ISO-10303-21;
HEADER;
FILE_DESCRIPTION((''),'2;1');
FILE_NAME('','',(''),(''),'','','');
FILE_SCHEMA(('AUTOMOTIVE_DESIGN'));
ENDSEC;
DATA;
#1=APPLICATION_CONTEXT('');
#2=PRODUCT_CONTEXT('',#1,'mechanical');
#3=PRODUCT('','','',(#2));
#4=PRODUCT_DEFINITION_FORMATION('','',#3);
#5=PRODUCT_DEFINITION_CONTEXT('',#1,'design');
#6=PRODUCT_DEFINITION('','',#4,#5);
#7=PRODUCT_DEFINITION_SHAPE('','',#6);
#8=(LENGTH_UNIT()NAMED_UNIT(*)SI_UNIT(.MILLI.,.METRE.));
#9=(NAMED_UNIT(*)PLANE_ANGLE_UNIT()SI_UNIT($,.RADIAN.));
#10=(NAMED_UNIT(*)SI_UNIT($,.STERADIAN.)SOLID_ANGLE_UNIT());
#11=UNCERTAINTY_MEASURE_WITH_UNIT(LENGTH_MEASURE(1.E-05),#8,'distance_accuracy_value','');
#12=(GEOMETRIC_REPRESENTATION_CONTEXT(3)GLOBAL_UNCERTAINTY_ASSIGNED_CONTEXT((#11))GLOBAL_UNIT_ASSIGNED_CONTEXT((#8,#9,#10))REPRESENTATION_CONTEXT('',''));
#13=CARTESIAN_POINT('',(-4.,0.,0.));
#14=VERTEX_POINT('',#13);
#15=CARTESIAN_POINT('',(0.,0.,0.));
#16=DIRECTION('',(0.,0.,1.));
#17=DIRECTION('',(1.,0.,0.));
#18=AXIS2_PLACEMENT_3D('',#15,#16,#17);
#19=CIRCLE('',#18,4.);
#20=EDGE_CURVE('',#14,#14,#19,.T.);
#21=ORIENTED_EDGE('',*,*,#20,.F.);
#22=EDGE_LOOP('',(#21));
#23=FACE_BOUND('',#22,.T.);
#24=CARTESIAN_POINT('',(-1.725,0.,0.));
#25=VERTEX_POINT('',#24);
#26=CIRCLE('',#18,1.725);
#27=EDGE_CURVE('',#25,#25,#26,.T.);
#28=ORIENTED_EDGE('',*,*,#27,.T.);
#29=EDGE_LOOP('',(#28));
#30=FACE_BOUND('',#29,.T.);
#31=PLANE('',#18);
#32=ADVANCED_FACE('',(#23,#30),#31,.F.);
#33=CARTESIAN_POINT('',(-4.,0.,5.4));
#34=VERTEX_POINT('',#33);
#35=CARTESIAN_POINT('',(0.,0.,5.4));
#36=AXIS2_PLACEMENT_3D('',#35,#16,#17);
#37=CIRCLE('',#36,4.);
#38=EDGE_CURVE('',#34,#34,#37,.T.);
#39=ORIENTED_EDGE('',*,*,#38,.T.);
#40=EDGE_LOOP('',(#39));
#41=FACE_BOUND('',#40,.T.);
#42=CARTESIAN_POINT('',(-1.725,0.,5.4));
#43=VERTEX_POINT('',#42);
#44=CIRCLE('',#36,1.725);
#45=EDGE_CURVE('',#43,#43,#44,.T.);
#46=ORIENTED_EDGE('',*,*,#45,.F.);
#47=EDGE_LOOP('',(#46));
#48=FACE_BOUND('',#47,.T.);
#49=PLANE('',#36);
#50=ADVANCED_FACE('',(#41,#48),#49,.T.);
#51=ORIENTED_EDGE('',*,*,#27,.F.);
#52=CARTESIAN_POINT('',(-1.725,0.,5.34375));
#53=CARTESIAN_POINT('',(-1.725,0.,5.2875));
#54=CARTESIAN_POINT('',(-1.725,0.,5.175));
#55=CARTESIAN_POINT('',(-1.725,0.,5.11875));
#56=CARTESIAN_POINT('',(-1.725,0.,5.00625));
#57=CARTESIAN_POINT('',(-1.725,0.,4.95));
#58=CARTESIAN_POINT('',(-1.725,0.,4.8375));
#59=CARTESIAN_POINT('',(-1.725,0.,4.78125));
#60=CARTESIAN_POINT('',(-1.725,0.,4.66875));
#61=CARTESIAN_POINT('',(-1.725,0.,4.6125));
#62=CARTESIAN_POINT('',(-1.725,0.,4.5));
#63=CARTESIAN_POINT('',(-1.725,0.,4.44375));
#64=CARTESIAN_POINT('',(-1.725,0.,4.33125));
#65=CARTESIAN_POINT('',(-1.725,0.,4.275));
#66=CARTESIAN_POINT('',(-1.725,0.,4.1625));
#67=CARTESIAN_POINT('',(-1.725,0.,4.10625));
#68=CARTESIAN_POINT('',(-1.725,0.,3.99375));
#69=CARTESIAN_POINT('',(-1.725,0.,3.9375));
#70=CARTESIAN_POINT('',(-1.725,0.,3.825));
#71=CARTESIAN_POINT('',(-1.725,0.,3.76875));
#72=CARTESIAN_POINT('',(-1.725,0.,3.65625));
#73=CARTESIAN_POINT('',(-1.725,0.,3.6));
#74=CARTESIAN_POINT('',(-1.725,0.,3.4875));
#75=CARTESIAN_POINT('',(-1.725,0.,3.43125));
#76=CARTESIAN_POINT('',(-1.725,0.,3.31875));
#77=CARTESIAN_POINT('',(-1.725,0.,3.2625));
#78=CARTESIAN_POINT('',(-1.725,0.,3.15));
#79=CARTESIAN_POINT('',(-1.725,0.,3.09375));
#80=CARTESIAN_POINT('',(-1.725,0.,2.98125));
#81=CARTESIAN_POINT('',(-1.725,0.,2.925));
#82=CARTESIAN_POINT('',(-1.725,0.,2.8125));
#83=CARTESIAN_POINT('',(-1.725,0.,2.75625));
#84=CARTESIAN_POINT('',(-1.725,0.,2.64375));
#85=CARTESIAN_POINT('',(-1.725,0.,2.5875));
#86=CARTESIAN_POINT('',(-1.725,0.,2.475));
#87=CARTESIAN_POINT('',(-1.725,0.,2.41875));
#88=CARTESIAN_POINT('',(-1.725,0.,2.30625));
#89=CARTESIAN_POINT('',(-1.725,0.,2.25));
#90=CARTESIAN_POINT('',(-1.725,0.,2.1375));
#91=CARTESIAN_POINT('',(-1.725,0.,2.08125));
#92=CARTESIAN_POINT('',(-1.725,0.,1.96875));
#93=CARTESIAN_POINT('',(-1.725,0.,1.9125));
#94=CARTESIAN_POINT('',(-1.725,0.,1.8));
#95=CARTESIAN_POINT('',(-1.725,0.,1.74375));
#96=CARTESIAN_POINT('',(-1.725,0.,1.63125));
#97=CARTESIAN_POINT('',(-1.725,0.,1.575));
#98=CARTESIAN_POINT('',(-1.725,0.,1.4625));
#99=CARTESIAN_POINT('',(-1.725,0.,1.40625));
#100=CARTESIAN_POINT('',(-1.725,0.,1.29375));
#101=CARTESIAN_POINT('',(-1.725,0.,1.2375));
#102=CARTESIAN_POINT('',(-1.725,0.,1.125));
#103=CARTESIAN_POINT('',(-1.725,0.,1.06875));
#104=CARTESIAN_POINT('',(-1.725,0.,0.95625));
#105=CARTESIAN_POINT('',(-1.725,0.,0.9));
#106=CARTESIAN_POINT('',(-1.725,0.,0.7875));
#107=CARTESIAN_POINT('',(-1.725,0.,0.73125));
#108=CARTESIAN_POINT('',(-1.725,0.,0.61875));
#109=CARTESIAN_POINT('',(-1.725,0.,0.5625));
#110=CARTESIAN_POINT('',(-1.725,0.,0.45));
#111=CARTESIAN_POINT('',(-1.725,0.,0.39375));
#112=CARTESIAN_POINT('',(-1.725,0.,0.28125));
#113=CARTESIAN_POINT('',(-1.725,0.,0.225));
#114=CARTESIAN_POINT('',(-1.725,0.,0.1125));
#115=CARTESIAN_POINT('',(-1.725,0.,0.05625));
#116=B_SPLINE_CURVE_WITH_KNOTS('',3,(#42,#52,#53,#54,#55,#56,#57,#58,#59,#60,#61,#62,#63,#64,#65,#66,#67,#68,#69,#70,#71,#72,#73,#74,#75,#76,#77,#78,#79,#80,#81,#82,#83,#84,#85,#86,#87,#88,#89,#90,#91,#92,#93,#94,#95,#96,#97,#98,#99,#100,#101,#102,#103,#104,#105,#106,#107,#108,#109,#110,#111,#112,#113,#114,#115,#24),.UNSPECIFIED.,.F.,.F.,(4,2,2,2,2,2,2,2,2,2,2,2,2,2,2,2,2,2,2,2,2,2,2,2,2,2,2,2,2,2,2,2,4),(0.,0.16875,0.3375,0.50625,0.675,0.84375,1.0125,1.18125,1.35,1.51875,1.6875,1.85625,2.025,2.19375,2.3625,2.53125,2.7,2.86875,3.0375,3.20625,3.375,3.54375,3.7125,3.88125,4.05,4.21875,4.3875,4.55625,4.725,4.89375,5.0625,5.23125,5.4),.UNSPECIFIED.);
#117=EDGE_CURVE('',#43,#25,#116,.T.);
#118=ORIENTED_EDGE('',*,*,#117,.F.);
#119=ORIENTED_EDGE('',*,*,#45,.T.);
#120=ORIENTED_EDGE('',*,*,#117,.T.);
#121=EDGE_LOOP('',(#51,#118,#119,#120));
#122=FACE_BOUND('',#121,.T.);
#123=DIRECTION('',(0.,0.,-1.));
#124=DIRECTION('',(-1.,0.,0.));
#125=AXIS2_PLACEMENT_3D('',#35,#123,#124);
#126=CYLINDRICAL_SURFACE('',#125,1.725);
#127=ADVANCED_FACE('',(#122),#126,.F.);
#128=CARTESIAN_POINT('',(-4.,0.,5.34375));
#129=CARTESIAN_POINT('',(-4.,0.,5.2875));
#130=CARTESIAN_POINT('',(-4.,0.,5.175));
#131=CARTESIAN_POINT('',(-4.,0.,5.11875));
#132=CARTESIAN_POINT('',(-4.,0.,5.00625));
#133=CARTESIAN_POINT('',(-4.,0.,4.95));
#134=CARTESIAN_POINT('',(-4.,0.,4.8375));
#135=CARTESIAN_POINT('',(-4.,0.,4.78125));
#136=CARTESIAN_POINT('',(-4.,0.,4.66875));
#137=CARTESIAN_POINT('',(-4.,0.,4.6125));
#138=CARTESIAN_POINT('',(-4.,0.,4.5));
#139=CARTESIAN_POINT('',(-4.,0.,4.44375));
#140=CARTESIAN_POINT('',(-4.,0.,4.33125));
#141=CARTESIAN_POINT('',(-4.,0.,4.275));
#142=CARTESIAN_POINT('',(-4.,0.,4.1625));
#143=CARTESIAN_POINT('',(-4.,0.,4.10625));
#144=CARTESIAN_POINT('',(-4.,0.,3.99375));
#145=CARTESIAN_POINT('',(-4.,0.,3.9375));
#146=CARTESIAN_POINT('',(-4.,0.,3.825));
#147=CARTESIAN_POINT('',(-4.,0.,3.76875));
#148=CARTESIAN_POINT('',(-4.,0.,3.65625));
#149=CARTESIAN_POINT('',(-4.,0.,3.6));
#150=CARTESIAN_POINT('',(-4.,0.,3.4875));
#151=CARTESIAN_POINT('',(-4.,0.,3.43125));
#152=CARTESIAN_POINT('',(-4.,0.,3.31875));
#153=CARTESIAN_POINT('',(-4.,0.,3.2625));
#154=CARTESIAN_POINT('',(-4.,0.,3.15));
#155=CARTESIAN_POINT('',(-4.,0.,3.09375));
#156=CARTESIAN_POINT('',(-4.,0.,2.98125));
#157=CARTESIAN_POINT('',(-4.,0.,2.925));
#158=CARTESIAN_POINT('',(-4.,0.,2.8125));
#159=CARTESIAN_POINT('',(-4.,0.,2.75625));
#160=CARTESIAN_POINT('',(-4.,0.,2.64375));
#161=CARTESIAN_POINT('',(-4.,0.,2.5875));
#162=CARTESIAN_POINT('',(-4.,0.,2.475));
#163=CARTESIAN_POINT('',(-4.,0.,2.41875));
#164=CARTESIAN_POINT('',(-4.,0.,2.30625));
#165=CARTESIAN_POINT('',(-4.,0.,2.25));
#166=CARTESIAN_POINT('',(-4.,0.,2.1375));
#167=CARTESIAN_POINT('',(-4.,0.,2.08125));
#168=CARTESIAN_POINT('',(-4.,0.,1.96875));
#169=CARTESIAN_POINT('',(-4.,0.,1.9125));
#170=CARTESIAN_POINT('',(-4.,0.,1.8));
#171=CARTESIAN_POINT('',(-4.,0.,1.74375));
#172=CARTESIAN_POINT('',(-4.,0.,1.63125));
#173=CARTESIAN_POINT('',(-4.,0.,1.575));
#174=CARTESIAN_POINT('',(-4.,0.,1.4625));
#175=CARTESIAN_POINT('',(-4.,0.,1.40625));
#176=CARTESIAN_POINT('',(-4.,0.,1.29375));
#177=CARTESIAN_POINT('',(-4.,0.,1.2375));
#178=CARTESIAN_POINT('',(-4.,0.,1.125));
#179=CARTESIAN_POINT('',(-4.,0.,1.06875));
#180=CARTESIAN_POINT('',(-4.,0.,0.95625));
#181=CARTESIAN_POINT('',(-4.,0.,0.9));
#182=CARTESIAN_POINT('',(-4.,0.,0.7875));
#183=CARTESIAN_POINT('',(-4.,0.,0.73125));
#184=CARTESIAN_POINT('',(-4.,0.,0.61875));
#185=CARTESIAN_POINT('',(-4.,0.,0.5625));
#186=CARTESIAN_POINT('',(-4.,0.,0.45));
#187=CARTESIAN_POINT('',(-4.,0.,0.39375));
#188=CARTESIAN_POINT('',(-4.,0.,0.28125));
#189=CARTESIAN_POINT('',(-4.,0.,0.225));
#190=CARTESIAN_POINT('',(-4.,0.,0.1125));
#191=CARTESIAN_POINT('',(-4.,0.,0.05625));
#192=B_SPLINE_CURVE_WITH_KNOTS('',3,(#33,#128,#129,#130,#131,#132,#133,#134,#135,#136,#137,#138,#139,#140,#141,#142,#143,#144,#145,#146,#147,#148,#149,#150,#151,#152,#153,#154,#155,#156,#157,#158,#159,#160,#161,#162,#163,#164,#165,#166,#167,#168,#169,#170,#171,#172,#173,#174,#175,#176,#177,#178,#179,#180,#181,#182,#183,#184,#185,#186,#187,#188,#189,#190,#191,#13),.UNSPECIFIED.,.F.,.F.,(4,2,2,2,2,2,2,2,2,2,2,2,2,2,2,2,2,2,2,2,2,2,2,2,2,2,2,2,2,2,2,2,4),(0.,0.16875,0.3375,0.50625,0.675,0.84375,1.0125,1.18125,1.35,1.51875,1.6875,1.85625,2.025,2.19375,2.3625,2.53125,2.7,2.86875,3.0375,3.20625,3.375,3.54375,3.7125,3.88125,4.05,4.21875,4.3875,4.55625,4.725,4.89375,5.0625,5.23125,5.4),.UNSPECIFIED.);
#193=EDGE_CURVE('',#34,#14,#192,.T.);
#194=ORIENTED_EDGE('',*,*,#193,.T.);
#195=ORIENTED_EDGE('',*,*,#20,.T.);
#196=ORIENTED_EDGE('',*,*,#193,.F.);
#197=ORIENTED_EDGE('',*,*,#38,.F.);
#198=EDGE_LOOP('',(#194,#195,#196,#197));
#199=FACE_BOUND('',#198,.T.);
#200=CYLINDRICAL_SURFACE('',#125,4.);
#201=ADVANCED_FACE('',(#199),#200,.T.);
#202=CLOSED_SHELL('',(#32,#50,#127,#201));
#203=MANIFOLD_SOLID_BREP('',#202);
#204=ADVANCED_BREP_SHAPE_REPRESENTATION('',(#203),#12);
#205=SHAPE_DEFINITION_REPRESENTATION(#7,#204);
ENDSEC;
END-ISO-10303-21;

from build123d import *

# Parameters (mm, degrees)
SKETCH1_R           = 4
SKETCH1_R_2         = 1.725
BOSS_EXTRUDE1_DEPTH = 5.4


with BuildPart() as part:
    # Sketch1 → Boss-Extrude1 (new body)
    with BuildSketch(Plane.XY):
        with Locations(Location((0, 0, 0), (0, 0, 180))):
            Circle(SKETCH1_R)
        with Locations(Location((0, 0, 0), (0, 0, 180))):
            Circle(SKETCH1_R_2, mode=Mode.SUBTRACT)
    extrude(amount=BOSS_EXTRUDE1_DEPTH)


solid = part.part
